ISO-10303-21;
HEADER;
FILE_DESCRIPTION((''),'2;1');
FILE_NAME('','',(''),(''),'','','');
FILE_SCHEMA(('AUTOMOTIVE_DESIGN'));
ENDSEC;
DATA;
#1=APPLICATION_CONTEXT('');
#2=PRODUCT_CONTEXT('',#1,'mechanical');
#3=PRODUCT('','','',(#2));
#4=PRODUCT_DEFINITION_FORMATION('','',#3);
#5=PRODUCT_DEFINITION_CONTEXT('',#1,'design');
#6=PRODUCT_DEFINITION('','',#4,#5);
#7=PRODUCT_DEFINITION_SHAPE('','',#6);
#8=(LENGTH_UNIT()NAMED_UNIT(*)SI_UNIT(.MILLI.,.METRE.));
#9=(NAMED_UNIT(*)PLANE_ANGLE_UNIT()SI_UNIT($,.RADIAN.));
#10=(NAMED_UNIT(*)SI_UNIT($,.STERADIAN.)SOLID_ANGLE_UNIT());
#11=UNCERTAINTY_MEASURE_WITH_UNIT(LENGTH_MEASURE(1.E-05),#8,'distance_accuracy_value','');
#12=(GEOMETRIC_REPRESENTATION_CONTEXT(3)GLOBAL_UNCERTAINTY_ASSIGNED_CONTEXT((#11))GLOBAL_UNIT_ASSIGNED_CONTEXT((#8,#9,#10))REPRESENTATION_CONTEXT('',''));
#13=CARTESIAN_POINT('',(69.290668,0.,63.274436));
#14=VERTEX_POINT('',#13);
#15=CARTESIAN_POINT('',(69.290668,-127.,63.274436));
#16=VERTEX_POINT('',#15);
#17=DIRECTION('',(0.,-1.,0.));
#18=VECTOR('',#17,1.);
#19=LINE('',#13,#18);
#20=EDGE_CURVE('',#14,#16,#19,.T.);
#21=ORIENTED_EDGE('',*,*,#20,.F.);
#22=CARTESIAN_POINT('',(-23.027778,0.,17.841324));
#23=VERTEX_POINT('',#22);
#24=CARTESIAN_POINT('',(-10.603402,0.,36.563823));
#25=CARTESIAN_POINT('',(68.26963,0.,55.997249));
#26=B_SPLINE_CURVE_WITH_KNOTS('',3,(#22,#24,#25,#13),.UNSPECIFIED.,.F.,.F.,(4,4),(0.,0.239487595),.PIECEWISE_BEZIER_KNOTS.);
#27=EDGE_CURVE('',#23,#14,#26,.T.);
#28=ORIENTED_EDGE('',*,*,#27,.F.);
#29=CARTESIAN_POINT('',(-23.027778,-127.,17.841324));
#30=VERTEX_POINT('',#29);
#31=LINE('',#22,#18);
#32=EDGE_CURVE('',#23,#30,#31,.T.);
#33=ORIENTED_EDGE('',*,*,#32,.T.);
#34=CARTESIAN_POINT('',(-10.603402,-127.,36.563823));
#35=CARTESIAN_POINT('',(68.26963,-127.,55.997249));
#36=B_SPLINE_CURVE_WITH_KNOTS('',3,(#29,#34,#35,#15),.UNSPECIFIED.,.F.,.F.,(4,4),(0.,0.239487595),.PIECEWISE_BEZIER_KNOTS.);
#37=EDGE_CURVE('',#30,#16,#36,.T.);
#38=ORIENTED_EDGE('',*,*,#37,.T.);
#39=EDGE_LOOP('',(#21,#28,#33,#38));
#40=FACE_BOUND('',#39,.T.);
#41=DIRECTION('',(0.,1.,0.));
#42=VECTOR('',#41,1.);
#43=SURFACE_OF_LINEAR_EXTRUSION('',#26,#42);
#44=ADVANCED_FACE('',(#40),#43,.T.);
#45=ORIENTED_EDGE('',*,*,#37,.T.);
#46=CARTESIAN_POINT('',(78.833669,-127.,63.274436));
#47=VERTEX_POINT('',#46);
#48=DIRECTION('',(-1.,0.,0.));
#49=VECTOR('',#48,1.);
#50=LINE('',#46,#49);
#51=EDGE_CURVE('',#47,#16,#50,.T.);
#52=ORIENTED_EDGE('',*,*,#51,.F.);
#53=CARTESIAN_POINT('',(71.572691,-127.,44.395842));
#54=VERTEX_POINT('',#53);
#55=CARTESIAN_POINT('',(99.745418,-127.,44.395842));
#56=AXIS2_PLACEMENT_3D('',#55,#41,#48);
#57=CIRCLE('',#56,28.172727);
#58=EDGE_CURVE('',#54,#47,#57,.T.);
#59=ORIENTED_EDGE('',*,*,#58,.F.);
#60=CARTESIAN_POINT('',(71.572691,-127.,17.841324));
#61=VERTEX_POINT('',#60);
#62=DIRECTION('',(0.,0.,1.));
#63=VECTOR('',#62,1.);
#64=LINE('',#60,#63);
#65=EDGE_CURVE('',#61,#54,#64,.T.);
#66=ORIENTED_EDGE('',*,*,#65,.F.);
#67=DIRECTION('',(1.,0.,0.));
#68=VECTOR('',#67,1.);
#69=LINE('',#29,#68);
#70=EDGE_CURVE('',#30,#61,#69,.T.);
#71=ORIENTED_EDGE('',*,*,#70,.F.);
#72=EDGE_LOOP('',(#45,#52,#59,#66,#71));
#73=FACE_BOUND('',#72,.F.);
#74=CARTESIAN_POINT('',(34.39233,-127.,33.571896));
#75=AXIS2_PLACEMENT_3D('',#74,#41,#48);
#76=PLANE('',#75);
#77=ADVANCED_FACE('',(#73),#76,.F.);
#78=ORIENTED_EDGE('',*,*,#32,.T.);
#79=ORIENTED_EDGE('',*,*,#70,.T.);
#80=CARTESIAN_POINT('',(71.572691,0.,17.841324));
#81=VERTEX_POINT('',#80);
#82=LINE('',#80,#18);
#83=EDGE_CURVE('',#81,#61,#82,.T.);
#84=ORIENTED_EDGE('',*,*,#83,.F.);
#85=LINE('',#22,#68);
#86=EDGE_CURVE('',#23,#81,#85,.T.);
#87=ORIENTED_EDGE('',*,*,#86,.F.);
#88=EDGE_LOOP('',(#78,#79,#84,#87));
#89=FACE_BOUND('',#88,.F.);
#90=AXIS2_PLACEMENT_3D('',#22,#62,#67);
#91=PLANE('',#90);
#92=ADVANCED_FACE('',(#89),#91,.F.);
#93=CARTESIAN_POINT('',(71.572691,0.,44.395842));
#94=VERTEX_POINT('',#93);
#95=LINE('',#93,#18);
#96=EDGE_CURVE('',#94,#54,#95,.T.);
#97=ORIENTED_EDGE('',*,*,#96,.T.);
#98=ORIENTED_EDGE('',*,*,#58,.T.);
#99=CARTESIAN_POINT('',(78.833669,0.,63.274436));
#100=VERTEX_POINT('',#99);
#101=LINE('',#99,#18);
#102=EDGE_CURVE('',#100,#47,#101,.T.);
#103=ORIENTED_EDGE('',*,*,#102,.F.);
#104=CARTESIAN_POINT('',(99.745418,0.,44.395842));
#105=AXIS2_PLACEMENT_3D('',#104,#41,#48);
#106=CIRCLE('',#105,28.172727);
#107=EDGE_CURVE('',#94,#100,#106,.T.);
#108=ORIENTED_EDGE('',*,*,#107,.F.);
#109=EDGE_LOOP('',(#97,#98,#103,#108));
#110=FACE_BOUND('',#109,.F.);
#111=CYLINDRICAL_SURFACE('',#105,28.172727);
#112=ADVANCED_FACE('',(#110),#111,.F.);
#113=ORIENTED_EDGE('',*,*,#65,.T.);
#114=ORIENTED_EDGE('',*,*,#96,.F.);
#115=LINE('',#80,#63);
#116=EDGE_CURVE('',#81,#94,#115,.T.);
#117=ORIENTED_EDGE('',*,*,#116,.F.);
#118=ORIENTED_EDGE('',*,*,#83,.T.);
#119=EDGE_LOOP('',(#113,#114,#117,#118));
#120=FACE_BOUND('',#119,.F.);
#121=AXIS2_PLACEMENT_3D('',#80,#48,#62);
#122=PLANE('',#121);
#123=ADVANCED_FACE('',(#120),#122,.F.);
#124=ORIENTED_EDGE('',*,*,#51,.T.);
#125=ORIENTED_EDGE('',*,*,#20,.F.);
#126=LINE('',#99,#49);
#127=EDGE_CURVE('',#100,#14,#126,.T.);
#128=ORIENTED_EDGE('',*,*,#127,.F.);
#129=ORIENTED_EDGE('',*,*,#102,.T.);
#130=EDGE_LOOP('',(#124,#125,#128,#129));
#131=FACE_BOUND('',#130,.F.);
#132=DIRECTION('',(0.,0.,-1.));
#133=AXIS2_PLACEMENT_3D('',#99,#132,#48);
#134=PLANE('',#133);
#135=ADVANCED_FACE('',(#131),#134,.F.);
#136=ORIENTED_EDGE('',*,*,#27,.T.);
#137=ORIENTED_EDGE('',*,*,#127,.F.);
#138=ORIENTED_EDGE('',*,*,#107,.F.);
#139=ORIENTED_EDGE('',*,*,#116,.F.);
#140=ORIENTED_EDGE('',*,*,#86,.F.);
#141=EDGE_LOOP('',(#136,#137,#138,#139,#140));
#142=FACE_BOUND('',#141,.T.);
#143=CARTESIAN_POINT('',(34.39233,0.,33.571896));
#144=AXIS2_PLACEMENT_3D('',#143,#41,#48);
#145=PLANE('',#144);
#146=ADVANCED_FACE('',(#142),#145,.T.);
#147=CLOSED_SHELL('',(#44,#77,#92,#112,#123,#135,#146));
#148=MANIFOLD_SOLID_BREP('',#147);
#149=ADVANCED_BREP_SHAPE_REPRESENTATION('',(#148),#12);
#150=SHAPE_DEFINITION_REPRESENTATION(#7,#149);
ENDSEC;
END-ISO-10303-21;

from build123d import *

# Parameters (mm, degrees)
F1_DEPTH = 127


with BuildPart() as f1:
    # F0 (on Front) → F1 (new body)
    with BuildSketch(Plane.XZ):
        with BuildLine():
            add(Edge.make_bspline(
                [(-23.0277776718, 17.8413242102), (-10.603401562, 36.5638226207), (68.2696296535, 55.9972494787), (69.2906677723, 63.274435699)],
                knots=[0, 0, 0, 0, 0.2394875952, 0.2394875952, 0.2394875952, 0.2394875952], degree=3))
            Line((-23.0277776718, 17.8413242102), (71.5726912022, 17.8413242102))
            Line((71.5726912022, 17.8413242102), (71.5726912022, 44.3958416581))
            ThreePointArc((71.5726912022, 44.3958416581), (73.4505181635, 54.5092376963), (78.8336694241, 63.274435699))
            Line((78.8336694241, 63.274435699), (69.2906677723, 63.274435699))
        make_face()
    extrude(amount=F1_DEPTH)


solid = f1.part
